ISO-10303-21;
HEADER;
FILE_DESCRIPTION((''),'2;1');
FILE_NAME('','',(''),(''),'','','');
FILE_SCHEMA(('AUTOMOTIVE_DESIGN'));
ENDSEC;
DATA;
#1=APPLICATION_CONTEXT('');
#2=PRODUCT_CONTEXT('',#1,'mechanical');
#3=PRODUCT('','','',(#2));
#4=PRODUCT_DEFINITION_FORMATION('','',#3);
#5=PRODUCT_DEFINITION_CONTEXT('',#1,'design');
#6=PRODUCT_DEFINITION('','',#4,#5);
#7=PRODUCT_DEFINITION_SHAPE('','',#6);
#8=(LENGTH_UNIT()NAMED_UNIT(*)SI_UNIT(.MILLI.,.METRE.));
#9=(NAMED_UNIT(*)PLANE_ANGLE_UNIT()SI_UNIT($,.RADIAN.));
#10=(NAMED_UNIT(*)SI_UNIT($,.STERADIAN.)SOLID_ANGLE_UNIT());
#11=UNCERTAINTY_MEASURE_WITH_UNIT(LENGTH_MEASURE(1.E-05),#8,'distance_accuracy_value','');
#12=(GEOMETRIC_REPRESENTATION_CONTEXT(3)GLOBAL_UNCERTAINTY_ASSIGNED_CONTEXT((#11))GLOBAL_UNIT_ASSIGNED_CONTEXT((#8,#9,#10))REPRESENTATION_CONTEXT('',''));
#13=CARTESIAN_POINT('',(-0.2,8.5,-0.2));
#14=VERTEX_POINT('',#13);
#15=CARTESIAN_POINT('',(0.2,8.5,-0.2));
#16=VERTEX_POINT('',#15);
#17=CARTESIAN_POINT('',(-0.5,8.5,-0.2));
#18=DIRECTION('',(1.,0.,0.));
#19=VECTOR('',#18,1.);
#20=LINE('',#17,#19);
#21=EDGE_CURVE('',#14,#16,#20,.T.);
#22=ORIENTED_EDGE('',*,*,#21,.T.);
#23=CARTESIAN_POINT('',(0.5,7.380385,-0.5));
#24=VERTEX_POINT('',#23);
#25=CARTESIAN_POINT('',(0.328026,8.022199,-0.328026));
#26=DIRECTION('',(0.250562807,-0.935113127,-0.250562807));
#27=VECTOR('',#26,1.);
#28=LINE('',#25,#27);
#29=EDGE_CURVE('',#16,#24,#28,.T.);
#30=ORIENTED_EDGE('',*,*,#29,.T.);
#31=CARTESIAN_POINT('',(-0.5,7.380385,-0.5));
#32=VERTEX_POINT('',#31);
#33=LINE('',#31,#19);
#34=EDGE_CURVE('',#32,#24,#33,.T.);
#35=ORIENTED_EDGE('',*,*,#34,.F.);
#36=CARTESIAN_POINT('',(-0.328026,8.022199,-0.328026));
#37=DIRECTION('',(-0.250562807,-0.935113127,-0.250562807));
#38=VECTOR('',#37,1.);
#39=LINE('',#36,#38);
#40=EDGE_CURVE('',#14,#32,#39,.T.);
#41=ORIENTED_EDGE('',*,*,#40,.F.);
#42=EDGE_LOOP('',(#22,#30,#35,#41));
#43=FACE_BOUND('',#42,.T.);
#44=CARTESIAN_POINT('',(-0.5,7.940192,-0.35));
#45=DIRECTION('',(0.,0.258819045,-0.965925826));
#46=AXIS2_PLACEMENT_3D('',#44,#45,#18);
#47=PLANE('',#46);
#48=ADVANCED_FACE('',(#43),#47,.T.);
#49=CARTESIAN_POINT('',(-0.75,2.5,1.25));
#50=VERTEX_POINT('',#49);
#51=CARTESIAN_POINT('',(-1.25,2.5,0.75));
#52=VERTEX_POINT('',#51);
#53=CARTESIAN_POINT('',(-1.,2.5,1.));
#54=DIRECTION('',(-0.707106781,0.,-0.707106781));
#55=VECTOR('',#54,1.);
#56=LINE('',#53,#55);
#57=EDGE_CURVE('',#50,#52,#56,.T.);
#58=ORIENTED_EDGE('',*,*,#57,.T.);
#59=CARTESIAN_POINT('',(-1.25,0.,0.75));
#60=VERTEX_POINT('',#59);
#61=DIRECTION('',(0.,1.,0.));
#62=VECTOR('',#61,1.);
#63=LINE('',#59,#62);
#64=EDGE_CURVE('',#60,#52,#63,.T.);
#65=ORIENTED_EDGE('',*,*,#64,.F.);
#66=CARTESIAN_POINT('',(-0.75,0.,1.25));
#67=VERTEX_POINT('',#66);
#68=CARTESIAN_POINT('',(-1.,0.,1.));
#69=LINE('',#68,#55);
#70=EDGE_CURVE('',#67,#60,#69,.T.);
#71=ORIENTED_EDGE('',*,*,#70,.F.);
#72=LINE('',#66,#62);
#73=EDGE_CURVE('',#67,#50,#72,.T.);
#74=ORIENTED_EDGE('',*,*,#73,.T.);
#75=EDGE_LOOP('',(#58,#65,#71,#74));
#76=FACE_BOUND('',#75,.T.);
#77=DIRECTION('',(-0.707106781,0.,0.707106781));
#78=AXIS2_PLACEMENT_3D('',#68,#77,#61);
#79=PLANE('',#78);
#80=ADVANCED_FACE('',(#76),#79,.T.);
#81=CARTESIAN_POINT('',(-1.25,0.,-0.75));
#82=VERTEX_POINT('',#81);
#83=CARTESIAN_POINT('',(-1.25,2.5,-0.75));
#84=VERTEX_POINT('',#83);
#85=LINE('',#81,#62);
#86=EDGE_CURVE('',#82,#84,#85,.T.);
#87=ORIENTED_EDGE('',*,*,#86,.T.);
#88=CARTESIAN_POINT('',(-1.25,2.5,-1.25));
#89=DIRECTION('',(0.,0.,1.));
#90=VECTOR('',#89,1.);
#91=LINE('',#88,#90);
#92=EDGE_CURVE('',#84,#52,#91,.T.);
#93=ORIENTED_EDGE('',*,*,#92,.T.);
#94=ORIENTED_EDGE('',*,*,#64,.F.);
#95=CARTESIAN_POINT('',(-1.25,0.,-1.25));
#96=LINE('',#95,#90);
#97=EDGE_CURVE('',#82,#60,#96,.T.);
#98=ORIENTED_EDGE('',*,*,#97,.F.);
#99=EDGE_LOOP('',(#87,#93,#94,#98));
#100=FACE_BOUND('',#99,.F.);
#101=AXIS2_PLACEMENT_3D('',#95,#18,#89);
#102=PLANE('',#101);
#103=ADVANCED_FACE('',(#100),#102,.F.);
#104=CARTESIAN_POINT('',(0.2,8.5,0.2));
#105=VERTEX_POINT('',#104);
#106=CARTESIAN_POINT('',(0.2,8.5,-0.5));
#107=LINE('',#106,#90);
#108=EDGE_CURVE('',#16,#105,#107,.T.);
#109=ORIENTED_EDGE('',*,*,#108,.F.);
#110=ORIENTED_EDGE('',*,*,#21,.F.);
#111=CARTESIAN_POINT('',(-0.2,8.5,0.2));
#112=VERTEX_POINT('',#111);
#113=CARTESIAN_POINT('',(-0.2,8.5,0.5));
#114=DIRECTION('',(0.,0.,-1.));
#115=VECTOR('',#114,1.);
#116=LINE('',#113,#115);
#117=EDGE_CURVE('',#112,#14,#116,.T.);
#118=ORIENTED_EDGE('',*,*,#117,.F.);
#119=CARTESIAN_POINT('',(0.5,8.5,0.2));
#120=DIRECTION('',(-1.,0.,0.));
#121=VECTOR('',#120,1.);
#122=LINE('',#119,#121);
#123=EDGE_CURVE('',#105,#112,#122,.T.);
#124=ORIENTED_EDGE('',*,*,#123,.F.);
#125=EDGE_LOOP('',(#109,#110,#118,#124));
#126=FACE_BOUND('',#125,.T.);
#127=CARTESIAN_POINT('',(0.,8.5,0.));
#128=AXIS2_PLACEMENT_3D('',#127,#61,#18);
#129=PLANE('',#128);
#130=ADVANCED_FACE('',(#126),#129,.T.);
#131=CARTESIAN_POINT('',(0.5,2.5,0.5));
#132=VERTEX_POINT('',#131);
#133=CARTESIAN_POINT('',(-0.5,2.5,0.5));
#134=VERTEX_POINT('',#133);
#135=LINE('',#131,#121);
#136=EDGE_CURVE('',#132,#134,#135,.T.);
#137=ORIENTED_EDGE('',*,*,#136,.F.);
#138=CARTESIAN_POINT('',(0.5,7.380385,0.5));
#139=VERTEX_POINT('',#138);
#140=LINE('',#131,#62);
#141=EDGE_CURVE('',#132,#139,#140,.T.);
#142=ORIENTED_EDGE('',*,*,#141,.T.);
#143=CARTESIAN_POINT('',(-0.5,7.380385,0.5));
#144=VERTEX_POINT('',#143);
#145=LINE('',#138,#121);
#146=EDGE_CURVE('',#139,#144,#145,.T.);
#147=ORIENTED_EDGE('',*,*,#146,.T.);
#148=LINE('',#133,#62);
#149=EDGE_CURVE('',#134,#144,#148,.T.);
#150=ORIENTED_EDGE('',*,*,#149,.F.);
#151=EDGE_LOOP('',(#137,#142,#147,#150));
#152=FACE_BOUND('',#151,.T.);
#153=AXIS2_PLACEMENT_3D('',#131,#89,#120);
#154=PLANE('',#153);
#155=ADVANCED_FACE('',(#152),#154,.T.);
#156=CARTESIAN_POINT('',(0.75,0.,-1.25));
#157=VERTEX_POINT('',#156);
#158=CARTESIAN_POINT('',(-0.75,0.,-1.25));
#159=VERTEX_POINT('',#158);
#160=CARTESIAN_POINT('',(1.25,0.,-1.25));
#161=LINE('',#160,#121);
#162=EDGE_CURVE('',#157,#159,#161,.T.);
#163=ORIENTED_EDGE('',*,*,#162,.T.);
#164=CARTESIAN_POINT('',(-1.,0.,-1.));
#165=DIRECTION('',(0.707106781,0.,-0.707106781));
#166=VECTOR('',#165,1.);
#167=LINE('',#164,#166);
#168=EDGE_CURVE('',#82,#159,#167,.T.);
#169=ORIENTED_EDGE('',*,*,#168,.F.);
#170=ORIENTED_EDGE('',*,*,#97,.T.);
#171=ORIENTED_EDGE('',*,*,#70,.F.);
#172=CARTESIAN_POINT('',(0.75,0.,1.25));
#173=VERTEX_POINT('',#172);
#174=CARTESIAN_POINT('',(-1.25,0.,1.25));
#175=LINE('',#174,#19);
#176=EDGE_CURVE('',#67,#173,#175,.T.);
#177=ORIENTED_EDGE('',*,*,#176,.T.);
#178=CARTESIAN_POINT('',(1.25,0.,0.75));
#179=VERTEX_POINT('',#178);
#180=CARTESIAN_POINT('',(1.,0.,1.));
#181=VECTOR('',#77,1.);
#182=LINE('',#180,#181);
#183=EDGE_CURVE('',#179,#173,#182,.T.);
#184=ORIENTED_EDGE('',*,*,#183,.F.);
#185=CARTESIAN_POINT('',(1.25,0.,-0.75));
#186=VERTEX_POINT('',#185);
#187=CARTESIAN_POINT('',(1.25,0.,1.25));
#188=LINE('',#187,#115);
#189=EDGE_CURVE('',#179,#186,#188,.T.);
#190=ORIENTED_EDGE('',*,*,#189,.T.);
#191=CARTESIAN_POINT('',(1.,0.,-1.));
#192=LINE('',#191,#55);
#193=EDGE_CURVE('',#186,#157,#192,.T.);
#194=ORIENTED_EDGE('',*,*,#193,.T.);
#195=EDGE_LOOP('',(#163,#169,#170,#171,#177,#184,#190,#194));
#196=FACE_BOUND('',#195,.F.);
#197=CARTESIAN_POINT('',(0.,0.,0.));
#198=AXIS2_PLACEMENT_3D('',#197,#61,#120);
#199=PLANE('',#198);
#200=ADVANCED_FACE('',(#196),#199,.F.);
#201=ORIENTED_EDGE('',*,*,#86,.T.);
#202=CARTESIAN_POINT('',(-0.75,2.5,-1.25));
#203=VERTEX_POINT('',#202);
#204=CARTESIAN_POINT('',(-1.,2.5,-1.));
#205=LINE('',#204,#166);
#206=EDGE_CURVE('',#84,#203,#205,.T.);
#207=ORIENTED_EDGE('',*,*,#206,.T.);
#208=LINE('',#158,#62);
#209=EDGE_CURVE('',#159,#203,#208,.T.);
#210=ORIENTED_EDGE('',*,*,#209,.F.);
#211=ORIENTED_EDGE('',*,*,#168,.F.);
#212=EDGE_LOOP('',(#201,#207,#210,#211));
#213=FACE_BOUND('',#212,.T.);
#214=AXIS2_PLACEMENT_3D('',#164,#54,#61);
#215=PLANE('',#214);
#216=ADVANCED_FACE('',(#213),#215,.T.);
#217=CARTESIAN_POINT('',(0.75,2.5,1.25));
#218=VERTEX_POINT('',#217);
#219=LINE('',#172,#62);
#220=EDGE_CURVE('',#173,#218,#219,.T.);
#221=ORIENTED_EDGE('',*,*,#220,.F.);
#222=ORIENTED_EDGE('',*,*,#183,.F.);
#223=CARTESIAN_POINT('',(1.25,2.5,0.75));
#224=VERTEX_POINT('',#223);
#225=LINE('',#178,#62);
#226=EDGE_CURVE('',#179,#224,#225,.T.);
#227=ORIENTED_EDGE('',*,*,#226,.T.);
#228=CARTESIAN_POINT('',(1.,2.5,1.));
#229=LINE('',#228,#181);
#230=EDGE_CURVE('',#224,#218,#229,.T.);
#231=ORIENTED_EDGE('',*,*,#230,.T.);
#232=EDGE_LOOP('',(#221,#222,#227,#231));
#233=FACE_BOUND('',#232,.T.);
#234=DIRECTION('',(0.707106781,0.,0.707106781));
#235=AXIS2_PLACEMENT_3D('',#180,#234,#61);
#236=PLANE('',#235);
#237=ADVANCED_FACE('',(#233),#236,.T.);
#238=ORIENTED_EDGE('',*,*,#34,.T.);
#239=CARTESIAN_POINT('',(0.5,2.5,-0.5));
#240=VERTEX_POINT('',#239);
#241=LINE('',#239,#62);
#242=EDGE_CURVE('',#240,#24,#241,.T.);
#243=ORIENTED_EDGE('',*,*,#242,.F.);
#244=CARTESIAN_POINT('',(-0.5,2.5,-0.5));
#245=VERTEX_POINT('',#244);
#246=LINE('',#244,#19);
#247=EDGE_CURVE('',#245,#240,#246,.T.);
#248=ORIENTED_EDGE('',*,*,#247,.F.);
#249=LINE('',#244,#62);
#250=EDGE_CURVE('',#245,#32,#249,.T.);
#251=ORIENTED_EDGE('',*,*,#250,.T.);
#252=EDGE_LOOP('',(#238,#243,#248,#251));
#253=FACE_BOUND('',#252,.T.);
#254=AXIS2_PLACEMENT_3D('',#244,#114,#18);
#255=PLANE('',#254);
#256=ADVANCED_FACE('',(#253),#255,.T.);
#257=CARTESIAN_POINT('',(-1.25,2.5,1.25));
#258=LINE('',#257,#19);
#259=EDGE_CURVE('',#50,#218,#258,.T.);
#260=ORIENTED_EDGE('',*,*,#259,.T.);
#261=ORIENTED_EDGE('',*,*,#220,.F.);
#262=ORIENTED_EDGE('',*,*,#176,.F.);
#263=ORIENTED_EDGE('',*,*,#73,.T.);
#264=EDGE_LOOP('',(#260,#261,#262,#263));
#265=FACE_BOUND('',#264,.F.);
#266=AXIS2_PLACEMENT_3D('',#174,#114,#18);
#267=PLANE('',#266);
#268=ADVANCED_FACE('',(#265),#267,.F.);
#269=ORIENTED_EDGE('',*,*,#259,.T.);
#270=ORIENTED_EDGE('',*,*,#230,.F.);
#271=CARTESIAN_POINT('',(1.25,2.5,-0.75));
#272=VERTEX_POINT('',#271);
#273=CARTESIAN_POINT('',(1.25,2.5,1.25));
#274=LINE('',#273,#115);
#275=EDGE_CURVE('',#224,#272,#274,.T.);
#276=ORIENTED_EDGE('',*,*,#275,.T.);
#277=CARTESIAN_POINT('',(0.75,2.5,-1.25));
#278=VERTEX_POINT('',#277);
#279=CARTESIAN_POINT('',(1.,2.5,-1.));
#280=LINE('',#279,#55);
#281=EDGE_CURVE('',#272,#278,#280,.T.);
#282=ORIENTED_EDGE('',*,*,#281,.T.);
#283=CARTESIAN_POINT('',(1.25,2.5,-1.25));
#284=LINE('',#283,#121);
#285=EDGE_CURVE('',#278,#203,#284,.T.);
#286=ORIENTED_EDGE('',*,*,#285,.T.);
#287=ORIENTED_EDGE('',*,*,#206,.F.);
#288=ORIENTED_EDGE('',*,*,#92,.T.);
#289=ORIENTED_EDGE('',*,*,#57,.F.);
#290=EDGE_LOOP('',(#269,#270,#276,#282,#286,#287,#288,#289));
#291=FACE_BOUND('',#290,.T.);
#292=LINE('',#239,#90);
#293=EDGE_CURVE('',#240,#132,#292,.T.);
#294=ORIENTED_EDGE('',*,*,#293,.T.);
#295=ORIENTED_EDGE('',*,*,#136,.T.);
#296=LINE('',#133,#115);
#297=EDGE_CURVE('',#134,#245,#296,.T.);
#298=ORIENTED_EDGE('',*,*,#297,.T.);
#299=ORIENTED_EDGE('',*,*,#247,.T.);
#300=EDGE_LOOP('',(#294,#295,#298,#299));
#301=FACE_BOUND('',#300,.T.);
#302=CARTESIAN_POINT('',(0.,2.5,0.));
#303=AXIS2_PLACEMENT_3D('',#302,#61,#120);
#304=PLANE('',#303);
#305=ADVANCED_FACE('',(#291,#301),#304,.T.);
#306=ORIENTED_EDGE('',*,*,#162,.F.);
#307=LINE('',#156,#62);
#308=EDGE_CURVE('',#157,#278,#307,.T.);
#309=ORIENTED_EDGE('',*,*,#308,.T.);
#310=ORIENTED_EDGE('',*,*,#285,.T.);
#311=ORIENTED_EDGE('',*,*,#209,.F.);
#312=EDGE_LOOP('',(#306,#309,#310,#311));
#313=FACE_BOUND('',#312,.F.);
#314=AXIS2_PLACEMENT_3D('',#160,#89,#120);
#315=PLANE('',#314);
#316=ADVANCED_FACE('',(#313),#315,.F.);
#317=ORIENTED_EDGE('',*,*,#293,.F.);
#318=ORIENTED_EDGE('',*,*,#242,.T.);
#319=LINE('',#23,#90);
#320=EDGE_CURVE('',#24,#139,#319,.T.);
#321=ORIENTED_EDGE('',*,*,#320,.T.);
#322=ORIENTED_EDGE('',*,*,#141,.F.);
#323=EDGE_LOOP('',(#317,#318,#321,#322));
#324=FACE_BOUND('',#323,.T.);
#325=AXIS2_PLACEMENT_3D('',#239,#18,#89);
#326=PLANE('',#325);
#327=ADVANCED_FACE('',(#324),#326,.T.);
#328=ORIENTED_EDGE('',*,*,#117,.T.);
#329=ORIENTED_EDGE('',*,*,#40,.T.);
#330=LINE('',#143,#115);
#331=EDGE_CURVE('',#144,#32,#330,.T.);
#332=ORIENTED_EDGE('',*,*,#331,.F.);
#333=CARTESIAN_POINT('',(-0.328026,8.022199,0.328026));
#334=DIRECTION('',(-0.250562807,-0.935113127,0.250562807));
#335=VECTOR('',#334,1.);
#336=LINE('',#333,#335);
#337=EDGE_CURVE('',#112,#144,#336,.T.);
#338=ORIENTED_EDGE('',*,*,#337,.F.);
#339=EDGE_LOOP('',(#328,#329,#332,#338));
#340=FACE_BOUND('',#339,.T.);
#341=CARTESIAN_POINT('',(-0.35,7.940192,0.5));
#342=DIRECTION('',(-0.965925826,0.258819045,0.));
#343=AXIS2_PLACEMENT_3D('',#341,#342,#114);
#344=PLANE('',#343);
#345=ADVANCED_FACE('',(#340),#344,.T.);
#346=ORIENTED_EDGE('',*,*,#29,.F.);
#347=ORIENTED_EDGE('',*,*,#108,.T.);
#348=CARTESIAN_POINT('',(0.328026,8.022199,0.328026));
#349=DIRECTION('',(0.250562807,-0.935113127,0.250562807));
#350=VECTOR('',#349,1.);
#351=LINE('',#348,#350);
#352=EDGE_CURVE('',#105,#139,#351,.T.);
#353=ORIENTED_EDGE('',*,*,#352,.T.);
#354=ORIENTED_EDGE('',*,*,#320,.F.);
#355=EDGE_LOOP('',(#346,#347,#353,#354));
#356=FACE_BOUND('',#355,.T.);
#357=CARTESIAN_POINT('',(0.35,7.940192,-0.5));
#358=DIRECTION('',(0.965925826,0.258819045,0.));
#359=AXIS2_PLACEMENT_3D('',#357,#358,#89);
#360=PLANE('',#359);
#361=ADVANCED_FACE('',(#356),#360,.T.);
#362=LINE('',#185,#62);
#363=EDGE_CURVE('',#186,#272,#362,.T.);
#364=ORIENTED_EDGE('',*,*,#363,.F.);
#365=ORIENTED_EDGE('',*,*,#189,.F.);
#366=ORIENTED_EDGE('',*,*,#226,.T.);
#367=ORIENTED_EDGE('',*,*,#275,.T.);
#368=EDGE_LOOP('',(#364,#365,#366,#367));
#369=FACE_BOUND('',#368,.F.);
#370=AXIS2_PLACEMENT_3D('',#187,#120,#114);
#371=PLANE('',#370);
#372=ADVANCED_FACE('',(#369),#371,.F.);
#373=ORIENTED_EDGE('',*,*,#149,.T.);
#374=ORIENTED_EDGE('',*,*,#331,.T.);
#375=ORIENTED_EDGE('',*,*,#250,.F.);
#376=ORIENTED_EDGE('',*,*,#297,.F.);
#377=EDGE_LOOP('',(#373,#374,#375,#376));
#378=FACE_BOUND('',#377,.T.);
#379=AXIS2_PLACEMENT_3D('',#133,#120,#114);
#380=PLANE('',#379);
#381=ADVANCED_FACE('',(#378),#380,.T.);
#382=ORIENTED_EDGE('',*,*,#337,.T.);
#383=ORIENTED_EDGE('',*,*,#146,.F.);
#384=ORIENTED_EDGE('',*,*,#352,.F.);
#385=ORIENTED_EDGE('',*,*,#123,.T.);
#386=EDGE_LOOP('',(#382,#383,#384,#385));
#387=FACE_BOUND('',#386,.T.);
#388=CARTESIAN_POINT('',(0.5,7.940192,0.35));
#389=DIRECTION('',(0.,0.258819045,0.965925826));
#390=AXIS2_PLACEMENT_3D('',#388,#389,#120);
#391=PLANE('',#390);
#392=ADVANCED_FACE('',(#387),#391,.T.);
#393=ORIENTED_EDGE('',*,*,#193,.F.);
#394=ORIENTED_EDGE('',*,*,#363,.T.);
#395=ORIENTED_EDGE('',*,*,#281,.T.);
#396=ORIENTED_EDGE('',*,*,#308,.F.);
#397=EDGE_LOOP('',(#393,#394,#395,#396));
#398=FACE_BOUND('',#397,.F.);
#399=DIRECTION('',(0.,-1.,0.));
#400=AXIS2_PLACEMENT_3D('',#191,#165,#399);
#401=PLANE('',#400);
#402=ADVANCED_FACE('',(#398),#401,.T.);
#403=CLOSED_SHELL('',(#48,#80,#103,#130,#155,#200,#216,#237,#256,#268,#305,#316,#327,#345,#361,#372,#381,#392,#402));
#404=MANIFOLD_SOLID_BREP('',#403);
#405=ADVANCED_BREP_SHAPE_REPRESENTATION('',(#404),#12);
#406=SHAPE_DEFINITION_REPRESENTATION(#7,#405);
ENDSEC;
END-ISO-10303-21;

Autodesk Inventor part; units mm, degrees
ref_plane "YZ Plane" through (0, 0, 0) normal (1, 0, 0) x (0, 1, 0)
ref_plane "XZ Plane" through (0, 0, 0) normal (0, 1, 0) x (-1, 0, 0)
ref_plane "XY Plane" through (0, 0, 0) normal (0, 0, 1) x (1, 0, 0)
sketch "Sketch1" plane through (0, 0, 0) normal (0, 1, 0) x (-1, 0, 0)
  line L0 (-1.25, -1.25) -> (1.25, -1.25)
  line L1 (1.25, -1.25) -> (1.25, 1.25)
  line L2 (1.25, 1.25) -> (-1.25, 1.25)
  line L3 (-1.25, 1.25) -> (-1.25, -1.25)
  line L4 (-1.25, -1.25) -> (1.25, 1.25) construction
  line L5 (1.25, -1.25) -> (-1.25, 1.25) construction
  point P0 (0, 0)
  dimension "d0" = 2.5
  dimension "d1" = 2.5
extrude "Extrusion1" add sketch "Sketch1" along normal blind 2.5
chamfer "Chamfer1" distance 0.5 angle 45 4 edges at (1.25, 1.25, 1.25) (-1.25, 1.25, 1.25) (1.25, 1.25, -1.25) (-1.25, 1.25, -1.25)
sketch "Sketch2" plane through (0, 2.5, 0) normal (0, 1, 0) x (1, 0, 0)
  line L0 (-0.5, 0.5) -> (0.5, 0.5)
  line L1 (0.5, 0.5) -> (0.5, -0.5)
  line L2 (0.5, -0.5) -> (-0.5, -0.5)
  line L3 (-0.5, -0.5) -> (-0.5, 0.5)
  point P0 (0, 0)
  dimension "d7" = 1
  dimension "d9" = 1
  dimension "d10" = 0.5
  dimension "d11" = 0.5
extrude "Extrusion2" add sketch "Sketch2" along normal blind 6
chamfer "Chamfer2" distance 0.3 angle 75 4 edges at (0, 8.5, 0.5) (-0.5, 8.5, 0) (0, 8.5, -0.5) (0.5, 8.5, 0) measured on face at (-0.1667, 8.5, -0.1667)
properties part number "nanopc_t4_pin"
